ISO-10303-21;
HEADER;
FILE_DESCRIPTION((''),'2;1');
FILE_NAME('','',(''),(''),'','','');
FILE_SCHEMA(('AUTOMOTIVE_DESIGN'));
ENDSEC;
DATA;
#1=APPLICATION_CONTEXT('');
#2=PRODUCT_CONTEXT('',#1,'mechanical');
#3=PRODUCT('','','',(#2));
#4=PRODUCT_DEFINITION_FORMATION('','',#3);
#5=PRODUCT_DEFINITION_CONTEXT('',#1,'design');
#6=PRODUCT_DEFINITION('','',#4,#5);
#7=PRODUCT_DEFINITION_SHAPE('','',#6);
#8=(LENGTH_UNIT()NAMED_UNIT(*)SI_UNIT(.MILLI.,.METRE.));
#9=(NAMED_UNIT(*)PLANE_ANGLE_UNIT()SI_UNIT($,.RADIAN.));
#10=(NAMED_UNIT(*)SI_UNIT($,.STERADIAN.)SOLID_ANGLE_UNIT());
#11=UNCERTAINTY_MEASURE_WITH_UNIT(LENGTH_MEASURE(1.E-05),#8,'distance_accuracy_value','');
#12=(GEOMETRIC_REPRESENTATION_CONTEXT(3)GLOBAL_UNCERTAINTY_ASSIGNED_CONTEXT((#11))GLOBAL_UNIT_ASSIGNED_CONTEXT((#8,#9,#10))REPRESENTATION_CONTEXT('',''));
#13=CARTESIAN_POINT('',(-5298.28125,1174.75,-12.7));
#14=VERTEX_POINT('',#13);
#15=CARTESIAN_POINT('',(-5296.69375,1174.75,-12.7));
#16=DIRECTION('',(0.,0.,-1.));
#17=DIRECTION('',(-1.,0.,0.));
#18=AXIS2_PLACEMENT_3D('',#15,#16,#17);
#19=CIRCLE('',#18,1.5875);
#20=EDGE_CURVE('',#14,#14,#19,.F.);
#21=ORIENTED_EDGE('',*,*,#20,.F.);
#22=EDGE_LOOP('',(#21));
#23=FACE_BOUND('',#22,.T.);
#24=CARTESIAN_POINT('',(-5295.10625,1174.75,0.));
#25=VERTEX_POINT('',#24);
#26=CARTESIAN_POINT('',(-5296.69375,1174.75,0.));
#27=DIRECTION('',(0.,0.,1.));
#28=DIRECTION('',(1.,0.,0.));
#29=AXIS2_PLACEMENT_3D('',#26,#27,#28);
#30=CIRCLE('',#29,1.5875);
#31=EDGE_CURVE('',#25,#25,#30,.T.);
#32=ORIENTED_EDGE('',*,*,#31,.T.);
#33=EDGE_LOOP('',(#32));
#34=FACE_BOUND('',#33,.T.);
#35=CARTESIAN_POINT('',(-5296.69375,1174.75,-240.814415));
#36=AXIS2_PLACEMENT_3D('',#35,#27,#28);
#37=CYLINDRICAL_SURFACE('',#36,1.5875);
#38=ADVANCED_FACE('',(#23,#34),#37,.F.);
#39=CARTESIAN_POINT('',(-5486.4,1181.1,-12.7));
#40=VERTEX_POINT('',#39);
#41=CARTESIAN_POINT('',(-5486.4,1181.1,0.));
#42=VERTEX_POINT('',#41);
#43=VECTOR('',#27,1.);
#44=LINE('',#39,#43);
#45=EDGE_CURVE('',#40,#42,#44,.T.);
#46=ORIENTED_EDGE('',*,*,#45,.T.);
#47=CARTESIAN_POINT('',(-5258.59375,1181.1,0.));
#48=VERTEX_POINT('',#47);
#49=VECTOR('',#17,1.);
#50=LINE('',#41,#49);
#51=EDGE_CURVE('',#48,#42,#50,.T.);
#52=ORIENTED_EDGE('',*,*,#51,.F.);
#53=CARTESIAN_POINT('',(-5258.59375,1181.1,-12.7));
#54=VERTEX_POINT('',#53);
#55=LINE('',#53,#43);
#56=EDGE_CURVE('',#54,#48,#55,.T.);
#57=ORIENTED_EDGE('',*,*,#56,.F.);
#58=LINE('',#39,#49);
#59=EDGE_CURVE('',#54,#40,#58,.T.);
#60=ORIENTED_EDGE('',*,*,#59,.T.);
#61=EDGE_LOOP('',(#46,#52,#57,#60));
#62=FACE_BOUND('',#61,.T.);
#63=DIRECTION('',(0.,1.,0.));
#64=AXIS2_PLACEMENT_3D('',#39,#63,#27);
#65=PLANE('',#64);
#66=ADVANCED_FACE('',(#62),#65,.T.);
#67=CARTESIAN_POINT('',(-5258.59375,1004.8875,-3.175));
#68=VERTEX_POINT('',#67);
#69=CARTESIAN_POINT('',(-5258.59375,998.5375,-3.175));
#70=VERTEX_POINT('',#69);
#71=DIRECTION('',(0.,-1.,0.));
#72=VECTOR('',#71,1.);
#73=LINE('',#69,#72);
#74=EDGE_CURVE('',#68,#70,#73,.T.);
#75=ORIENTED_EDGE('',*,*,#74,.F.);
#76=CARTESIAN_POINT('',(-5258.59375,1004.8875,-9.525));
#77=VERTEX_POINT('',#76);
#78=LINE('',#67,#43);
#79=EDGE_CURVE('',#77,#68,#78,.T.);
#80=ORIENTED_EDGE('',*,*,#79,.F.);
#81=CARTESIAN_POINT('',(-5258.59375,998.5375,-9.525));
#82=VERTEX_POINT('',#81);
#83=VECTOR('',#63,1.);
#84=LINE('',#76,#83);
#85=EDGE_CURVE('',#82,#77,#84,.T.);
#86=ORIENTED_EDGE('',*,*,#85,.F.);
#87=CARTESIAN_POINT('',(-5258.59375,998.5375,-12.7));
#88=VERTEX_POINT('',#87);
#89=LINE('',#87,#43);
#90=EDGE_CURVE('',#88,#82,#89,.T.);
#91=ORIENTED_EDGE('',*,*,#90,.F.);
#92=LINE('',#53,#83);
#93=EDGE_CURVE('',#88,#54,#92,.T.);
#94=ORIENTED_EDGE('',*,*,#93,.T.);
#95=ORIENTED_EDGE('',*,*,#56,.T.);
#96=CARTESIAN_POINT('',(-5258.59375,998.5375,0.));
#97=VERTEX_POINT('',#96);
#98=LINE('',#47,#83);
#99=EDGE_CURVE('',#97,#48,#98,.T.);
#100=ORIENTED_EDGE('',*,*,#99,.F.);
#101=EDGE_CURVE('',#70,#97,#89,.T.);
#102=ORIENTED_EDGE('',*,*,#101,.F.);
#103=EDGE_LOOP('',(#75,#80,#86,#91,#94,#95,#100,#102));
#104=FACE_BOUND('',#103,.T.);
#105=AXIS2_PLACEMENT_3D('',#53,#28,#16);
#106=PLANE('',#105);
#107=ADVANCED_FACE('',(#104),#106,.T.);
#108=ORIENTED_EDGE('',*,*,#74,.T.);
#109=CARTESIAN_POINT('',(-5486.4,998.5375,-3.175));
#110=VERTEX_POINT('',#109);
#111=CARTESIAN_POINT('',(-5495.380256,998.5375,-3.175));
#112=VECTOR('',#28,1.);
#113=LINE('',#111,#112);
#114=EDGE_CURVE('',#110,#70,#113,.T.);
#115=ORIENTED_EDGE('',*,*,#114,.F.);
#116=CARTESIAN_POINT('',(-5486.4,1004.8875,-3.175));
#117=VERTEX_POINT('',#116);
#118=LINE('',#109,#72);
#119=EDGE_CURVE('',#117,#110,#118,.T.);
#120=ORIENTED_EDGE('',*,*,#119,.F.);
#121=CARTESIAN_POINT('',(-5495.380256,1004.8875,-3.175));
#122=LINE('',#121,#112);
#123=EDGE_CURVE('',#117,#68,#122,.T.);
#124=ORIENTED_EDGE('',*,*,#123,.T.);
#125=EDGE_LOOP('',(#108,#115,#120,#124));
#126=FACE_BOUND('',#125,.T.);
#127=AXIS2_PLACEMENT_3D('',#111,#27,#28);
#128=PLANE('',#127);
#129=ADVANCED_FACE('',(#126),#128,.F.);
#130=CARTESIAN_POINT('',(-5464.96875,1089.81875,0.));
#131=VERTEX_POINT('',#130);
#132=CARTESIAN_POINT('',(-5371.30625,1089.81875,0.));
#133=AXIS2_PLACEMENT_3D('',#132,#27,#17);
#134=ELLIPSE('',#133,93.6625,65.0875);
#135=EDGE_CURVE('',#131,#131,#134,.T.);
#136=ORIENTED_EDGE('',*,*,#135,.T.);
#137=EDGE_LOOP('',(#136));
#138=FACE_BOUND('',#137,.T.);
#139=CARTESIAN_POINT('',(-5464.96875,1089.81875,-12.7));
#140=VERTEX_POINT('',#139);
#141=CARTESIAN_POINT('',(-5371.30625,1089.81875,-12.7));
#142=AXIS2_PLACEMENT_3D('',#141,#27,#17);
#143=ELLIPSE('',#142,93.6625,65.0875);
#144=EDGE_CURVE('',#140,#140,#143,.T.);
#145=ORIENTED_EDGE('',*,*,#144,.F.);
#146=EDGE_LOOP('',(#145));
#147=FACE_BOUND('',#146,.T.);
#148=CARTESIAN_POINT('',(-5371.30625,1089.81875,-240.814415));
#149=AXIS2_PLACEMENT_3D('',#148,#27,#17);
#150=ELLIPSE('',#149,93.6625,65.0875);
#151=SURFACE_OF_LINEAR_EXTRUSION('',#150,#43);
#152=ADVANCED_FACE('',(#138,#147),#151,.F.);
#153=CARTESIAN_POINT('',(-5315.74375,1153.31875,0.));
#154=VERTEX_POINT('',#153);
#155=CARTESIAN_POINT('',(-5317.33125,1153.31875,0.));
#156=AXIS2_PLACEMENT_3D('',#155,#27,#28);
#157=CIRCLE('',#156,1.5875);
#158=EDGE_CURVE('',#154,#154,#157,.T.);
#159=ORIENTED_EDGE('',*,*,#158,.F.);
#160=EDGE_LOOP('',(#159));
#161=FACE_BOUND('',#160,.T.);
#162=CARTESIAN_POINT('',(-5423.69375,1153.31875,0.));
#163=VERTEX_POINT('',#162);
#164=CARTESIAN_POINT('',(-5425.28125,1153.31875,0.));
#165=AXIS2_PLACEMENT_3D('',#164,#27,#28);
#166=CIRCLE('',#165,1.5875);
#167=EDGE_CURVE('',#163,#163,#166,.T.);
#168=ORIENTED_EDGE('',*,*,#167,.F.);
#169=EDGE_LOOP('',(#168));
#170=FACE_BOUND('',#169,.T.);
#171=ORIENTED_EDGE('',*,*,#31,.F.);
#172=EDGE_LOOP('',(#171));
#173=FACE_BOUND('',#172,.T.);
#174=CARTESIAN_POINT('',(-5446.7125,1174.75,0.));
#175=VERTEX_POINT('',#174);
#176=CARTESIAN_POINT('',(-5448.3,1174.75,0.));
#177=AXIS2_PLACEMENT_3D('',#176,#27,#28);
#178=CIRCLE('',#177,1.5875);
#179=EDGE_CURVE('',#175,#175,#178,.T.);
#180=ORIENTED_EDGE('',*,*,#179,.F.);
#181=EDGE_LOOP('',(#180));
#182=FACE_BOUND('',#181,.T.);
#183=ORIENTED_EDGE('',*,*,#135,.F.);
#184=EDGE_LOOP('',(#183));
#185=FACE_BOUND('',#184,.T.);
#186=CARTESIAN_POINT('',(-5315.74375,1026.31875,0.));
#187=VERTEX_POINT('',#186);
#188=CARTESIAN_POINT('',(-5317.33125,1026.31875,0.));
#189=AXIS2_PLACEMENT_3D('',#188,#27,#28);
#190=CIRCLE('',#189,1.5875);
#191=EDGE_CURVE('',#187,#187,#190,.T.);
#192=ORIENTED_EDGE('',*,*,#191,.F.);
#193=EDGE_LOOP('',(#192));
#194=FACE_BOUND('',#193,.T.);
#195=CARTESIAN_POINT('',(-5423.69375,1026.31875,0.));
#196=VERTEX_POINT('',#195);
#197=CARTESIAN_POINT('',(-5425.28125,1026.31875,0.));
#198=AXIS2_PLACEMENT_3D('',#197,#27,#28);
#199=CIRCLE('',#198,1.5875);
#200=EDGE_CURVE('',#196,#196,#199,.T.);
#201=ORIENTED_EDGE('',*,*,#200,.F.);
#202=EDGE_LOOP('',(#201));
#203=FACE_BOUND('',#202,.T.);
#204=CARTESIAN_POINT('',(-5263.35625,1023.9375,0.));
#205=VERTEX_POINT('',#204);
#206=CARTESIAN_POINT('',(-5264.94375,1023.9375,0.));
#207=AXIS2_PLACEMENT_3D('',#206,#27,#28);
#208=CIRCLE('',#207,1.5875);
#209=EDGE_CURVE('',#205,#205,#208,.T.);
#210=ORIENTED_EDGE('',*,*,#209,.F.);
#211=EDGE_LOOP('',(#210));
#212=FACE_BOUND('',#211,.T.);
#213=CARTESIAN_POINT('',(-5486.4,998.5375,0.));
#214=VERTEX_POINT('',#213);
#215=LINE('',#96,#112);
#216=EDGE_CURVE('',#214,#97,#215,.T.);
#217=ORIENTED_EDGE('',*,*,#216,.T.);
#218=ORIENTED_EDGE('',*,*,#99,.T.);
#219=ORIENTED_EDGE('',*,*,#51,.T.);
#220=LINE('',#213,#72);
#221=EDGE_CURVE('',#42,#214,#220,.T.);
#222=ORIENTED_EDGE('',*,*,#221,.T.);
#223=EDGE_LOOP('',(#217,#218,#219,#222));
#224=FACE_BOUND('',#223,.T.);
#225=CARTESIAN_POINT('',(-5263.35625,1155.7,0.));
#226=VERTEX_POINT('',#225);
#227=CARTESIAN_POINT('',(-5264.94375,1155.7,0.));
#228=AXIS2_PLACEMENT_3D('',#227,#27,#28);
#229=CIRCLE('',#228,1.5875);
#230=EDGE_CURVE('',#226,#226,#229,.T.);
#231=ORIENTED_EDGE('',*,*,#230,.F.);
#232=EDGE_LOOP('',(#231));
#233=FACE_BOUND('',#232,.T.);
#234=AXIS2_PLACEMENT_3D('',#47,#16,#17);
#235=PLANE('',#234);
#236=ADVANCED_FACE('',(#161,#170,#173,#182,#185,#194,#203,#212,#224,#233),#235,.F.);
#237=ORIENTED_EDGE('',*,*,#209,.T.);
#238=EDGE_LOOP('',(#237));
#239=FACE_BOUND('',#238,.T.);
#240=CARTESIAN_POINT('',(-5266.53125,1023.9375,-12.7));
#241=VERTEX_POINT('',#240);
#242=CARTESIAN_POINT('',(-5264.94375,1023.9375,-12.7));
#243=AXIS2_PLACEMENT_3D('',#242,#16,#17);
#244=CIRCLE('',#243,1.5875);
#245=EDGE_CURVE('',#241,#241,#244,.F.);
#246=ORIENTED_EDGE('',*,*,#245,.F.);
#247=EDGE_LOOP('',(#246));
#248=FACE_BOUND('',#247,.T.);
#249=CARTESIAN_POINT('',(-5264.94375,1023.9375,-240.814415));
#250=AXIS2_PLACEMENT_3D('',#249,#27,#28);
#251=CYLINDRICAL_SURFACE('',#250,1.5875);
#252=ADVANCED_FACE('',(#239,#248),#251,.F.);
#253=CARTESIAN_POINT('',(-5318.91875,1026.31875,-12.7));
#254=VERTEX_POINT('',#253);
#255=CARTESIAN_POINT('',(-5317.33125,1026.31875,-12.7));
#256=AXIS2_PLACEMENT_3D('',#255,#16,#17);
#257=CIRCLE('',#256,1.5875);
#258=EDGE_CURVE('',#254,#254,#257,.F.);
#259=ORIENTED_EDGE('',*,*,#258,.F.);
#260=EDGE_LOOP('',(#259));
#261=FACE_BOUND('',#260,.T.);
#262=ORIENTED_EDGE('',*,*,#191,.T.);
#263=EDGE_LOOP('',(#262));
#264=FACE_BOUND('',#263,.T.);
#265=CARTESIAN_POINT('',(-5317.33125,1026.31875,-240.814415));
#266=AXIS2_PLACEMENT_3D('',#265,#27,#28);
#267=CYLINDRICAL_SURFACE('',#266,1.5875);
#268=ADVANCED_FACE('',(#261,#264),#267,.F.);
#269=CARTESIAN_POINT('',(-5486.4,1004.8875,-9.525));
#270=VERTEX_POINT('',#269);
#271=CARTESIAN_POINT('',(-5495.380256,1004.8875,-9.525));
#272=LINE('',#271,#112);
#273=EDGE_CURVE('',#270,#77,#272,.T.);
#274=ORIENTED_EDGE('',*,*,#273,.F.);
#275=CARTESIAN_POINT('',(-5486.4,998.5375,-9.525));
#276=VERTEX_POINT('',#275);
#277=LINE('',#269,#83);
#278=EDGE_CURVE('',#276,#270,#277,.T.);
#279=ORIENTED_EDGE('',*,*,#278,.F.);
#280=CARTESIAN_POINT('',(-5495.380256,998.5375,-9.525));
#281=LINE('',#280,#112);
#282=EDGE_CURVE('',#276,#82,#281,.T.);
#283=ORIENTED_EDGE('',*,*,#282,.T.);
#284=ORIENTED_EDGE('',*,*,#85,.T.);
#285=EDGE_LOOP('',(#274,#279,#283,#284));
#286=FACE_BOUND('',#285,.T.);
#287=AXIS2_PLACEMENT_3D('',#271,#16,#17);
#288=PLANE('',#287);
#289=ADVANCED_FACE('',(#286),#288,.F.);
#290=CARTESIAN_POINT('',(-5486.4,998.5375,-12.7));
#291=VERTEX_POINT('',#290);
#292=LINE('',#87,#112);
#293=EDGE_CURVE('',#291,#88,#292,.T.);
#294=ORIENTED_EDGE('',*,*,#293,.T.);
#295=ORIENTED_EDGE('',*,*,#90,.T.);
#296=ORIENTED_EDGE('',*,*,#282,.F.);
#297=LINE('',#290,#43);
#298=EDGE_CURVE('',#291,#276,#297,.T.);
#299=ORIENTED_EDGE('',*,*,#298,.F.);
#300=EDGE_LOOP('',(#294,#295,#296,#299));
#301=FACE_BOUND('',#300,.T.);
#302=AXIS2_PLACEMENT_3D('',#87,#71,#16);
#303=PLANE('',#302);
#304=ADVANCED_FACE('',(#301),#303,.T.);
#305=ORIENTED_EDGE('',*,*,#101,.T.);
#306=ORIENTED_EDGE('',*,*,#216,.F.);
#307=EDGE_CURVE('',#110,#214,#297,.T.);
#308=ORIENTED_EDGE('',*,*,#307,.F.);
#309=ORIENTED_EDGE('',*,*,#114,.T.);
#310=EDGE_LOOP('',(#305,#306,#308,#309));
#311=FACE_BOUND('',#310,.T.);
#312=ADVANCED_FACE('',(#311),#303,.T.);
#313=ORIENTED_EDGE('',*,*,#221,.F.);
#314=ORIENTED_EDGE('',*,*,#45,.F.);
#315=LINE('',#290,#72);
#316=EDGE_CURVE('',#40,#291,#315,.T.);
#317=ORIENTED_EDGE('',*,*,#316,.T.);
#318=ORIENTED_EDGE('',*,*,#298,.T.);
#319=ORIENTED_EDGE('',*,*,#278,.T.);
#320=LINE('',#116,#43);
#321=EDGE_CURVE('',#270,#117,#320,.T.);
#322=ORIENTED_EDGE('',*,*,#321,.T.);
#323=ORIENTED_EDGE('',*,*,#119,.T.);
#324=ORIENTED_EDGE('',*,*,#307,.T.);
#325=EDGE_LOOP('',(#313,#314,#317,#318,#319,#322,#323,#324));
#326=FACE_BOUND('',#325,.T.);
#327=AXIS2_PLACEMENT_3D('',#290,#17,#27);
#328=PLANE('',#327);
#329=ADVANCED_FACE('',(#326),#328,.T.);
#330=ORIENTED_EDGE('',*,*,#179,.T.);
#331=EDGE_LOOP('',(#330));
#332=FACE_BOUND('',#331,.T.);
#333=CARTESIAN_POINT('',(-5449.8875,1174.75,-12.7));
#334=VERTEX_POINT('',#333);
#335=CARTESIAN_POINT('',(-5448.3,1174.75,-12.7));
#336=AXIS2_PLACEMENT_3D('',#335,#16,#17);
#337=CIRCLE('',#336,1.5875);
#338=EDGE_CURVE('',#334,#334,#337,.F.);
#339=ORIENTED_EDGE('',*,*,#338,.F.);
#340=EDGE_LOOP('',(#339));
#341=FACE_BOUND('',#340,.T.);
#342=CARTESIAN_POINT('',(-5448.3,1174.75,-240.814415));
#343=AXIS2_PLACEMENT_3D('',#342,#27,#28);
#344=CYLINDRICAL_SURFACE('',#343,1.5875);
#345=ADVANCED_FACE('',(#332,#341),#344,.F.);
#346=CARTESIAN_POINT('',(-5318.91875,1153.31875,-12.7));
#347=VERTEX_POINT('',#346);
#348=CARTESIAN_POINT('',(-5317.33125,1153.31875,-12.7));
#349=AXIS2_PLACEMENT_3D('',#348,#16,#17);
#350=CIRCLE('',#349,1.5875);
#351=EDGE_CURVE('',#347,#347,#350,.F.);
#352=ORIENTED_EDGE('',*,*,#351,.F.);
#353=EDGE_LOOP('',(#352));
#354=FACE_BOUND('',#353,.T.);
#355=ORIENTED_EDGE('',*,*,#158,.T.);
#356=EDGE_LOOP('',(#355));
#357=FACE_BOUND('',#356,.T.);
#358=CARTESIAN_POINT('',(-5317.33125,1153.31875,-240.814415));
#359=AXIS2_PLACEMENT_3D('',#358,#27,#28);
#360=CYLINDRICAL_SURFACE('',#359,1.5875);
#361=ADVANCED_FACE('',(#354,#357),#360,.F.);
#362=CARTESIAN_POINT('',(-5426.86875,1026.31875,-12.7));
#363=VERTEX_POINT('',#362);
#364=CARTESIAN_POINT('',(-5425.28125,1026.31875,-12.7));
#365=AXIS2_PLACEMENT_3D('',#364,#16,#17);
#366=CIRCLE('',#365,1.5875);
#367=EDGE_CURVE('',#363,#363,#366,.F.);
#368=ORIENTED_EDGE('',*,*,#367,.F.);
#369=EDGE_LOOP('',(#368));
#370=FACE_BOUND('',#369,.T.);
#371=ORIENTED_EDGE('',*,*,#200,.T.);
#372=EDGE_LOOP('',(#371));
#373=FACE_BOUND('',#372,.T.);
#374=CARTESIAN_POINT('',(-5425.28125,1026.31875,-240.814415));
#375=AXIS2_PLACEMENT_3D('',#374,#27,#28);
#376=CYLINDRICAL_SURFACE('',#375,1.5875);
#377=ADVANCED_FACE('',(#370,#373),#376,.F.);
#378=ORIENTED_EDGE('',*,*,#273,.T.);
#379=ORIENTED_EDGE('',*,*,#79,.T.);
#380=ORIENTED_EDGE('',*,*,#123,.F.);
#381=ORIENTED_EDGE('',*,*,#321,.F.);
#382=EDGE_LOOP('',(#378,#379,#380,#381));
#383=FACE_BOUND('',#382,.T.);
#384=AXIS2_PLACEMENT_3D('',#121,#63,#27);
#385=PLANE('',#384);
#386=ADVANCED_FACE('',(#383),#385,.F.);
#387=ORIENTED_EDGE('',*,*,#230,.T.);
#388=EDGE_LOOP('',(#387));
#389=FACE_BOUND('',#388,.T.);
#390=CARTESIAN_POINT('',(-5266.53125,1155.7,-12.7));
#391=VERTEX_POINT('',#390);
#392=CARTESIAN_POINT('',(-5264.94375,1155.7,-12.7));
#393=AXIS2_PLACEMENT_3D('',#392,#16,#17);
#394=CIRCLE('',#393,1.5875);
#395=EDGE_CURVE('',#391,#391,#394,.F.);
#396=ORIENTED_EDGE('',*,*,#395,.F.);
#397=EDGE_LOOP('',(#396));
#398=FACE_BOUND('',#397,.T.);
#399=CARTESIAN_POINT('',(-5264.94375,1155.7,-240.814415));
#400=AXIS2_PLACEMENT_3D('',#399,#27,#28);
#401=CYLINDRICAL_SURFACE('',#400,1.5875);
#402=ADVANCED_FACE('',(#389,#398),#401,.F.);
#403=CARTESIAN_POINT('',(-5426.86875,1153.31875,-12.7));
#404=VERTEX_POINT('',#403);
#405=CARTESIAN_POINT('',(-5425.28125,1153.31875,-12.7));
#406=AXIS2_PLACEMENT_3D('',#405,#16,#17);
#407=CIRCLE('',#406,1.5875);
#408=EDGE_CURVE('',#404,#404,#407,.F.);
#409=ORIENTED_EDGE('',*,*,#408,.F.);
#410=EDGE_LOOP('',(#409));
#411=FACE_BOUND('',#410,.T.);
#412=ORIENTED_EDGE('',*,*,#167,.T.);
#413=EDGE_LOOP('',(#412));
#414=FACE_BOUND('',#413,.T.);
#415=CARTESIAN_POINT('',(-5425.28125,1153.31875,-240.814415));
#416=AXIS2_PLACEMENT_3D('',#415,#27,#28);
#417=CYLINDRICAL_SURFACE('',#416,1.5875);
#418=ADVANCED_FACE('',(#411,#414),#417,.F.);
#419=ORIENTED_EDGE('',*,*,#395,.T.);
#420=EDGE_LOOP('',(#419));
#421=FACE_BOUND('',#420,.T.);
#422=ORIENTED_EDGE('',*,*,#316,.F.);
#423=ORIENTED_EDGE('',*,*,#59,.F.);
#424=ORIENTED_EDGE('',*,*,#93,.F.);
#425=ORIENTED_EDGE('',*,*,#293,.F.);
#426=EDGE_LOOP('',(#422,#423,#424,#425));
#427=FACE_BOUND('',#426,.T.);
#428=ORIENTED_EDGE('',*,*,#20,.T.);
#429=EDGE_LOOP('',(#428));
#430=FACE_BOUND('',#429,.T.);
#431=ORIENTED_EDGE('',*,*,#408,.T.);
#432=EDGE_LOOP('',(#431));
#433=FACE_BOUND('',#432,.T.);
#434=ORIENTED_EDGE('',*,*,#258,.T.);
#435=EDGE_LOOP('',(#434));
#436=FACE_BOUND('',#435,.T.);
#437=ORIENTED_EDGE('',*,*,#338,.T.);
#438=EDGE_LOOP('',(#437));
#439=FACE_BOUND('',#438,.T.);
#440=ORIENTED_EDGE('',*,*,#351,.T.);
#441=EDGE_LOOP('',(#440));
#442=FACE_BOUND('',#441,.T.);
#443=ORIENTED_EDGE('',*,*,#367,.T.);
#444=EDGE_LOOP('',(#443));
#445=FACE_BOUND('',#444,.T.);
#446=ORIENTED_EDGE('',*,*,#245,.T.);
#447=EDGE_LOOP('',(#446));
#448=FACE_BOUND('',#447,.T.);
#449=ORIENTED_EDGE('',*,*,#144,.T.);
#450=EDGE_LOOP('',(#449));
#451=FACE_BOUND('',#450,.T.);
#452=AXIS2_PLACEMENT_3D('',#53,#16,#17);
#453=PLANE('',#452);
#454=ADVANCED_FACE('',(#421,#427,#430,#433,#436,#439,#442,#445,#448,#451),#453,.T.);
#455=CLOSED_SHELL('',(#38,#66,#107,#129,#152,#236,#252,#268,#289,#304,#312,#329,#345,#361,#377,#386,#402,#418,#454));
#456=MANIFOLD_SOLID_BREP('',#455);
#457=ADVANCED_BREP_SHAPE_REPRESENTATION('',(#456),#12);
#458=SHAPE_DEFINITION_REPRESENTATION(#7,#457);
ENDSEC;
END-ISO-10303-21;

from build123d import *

# Parameters (mm, degrees)
SKETCH2_W          = 227.80625
SKETCH2_H          = 182.5625
EXTRUDE1_DEPTH     = 12.7
SKETCH3_R          = 1.5875
SKETCH3_RX         = 93.6625
SKETCH3_RY         = 65.087499997
CUT_EXTRUDE1_DEPTH = 12.7
CUT_EXTRUDE2_DEPTH = 227.80625


with BuildPart() as part:
    # Sketch2 → Extrude1 (new body)
    with BuildSketch(Plane.XY):
        with Locations((-5372.496875, 1089.81875)):
            Rectangle(SKETCH2_W, SKETCH2_H)
    extrude(amount=-EXTRUDE1_DEPTH)

    # Sketch3 → Cut-Extrude1 (cut)
    with BuildSketch(Plane.XY):
        with Locations((-5448.3, 1174.75)):
            Circle(SKETCH3_R)
        with Locations((-5425.28125, 1153.31875)):
            Circle(SKETCH3_R)
        with Locations((-5296.69375, 1174.75)):
            Circle(SKETCH3_R)
        with Locations((-5317.33125, 1153.31875)):
            Circle(SKETCH3_R)
        with Locations((-5264.94375, 1155.7)):
            Circle(SKETCH3_R)
        with Locations((-5264.94375, 1023.9375)):
            Circle(SKETCH3_R)
        with Locations((-5317.33125, 1026.31875)):
            Circle(SKETCH3_R)
        with Locations((-5425.28125, 1026.31875)):
            Circle(SKETCH3_R)
        with Locations(Location((-5371.30625, 1089.81875), (0, 0, 180))):
            Ellipse(SKETCH3_RX, SKETCH3_RY)
    extrude(amount=-CUT_EXTRUDE1_DEPTH, mode=Mode.SUBTRACT)

    # Sketch4 → Cut-Extrude2 (cut)
    with BuildSketch(Plane(origin=(-5258.59375, 0, 0), x_dir=(0, 0, -1), z_dir=(1, 0, 0))):
        Polygon((6.35, 998.5375), (3.175, 998.5375), (3.175, 1004.8875), (9.525, 1004.8875), (9.525, 998.5375), align=None)
    extrude(amount=-CUT_EXTRUDE2_DEPTH, mode=Mode.SUBTRACT)


solid = part.part
